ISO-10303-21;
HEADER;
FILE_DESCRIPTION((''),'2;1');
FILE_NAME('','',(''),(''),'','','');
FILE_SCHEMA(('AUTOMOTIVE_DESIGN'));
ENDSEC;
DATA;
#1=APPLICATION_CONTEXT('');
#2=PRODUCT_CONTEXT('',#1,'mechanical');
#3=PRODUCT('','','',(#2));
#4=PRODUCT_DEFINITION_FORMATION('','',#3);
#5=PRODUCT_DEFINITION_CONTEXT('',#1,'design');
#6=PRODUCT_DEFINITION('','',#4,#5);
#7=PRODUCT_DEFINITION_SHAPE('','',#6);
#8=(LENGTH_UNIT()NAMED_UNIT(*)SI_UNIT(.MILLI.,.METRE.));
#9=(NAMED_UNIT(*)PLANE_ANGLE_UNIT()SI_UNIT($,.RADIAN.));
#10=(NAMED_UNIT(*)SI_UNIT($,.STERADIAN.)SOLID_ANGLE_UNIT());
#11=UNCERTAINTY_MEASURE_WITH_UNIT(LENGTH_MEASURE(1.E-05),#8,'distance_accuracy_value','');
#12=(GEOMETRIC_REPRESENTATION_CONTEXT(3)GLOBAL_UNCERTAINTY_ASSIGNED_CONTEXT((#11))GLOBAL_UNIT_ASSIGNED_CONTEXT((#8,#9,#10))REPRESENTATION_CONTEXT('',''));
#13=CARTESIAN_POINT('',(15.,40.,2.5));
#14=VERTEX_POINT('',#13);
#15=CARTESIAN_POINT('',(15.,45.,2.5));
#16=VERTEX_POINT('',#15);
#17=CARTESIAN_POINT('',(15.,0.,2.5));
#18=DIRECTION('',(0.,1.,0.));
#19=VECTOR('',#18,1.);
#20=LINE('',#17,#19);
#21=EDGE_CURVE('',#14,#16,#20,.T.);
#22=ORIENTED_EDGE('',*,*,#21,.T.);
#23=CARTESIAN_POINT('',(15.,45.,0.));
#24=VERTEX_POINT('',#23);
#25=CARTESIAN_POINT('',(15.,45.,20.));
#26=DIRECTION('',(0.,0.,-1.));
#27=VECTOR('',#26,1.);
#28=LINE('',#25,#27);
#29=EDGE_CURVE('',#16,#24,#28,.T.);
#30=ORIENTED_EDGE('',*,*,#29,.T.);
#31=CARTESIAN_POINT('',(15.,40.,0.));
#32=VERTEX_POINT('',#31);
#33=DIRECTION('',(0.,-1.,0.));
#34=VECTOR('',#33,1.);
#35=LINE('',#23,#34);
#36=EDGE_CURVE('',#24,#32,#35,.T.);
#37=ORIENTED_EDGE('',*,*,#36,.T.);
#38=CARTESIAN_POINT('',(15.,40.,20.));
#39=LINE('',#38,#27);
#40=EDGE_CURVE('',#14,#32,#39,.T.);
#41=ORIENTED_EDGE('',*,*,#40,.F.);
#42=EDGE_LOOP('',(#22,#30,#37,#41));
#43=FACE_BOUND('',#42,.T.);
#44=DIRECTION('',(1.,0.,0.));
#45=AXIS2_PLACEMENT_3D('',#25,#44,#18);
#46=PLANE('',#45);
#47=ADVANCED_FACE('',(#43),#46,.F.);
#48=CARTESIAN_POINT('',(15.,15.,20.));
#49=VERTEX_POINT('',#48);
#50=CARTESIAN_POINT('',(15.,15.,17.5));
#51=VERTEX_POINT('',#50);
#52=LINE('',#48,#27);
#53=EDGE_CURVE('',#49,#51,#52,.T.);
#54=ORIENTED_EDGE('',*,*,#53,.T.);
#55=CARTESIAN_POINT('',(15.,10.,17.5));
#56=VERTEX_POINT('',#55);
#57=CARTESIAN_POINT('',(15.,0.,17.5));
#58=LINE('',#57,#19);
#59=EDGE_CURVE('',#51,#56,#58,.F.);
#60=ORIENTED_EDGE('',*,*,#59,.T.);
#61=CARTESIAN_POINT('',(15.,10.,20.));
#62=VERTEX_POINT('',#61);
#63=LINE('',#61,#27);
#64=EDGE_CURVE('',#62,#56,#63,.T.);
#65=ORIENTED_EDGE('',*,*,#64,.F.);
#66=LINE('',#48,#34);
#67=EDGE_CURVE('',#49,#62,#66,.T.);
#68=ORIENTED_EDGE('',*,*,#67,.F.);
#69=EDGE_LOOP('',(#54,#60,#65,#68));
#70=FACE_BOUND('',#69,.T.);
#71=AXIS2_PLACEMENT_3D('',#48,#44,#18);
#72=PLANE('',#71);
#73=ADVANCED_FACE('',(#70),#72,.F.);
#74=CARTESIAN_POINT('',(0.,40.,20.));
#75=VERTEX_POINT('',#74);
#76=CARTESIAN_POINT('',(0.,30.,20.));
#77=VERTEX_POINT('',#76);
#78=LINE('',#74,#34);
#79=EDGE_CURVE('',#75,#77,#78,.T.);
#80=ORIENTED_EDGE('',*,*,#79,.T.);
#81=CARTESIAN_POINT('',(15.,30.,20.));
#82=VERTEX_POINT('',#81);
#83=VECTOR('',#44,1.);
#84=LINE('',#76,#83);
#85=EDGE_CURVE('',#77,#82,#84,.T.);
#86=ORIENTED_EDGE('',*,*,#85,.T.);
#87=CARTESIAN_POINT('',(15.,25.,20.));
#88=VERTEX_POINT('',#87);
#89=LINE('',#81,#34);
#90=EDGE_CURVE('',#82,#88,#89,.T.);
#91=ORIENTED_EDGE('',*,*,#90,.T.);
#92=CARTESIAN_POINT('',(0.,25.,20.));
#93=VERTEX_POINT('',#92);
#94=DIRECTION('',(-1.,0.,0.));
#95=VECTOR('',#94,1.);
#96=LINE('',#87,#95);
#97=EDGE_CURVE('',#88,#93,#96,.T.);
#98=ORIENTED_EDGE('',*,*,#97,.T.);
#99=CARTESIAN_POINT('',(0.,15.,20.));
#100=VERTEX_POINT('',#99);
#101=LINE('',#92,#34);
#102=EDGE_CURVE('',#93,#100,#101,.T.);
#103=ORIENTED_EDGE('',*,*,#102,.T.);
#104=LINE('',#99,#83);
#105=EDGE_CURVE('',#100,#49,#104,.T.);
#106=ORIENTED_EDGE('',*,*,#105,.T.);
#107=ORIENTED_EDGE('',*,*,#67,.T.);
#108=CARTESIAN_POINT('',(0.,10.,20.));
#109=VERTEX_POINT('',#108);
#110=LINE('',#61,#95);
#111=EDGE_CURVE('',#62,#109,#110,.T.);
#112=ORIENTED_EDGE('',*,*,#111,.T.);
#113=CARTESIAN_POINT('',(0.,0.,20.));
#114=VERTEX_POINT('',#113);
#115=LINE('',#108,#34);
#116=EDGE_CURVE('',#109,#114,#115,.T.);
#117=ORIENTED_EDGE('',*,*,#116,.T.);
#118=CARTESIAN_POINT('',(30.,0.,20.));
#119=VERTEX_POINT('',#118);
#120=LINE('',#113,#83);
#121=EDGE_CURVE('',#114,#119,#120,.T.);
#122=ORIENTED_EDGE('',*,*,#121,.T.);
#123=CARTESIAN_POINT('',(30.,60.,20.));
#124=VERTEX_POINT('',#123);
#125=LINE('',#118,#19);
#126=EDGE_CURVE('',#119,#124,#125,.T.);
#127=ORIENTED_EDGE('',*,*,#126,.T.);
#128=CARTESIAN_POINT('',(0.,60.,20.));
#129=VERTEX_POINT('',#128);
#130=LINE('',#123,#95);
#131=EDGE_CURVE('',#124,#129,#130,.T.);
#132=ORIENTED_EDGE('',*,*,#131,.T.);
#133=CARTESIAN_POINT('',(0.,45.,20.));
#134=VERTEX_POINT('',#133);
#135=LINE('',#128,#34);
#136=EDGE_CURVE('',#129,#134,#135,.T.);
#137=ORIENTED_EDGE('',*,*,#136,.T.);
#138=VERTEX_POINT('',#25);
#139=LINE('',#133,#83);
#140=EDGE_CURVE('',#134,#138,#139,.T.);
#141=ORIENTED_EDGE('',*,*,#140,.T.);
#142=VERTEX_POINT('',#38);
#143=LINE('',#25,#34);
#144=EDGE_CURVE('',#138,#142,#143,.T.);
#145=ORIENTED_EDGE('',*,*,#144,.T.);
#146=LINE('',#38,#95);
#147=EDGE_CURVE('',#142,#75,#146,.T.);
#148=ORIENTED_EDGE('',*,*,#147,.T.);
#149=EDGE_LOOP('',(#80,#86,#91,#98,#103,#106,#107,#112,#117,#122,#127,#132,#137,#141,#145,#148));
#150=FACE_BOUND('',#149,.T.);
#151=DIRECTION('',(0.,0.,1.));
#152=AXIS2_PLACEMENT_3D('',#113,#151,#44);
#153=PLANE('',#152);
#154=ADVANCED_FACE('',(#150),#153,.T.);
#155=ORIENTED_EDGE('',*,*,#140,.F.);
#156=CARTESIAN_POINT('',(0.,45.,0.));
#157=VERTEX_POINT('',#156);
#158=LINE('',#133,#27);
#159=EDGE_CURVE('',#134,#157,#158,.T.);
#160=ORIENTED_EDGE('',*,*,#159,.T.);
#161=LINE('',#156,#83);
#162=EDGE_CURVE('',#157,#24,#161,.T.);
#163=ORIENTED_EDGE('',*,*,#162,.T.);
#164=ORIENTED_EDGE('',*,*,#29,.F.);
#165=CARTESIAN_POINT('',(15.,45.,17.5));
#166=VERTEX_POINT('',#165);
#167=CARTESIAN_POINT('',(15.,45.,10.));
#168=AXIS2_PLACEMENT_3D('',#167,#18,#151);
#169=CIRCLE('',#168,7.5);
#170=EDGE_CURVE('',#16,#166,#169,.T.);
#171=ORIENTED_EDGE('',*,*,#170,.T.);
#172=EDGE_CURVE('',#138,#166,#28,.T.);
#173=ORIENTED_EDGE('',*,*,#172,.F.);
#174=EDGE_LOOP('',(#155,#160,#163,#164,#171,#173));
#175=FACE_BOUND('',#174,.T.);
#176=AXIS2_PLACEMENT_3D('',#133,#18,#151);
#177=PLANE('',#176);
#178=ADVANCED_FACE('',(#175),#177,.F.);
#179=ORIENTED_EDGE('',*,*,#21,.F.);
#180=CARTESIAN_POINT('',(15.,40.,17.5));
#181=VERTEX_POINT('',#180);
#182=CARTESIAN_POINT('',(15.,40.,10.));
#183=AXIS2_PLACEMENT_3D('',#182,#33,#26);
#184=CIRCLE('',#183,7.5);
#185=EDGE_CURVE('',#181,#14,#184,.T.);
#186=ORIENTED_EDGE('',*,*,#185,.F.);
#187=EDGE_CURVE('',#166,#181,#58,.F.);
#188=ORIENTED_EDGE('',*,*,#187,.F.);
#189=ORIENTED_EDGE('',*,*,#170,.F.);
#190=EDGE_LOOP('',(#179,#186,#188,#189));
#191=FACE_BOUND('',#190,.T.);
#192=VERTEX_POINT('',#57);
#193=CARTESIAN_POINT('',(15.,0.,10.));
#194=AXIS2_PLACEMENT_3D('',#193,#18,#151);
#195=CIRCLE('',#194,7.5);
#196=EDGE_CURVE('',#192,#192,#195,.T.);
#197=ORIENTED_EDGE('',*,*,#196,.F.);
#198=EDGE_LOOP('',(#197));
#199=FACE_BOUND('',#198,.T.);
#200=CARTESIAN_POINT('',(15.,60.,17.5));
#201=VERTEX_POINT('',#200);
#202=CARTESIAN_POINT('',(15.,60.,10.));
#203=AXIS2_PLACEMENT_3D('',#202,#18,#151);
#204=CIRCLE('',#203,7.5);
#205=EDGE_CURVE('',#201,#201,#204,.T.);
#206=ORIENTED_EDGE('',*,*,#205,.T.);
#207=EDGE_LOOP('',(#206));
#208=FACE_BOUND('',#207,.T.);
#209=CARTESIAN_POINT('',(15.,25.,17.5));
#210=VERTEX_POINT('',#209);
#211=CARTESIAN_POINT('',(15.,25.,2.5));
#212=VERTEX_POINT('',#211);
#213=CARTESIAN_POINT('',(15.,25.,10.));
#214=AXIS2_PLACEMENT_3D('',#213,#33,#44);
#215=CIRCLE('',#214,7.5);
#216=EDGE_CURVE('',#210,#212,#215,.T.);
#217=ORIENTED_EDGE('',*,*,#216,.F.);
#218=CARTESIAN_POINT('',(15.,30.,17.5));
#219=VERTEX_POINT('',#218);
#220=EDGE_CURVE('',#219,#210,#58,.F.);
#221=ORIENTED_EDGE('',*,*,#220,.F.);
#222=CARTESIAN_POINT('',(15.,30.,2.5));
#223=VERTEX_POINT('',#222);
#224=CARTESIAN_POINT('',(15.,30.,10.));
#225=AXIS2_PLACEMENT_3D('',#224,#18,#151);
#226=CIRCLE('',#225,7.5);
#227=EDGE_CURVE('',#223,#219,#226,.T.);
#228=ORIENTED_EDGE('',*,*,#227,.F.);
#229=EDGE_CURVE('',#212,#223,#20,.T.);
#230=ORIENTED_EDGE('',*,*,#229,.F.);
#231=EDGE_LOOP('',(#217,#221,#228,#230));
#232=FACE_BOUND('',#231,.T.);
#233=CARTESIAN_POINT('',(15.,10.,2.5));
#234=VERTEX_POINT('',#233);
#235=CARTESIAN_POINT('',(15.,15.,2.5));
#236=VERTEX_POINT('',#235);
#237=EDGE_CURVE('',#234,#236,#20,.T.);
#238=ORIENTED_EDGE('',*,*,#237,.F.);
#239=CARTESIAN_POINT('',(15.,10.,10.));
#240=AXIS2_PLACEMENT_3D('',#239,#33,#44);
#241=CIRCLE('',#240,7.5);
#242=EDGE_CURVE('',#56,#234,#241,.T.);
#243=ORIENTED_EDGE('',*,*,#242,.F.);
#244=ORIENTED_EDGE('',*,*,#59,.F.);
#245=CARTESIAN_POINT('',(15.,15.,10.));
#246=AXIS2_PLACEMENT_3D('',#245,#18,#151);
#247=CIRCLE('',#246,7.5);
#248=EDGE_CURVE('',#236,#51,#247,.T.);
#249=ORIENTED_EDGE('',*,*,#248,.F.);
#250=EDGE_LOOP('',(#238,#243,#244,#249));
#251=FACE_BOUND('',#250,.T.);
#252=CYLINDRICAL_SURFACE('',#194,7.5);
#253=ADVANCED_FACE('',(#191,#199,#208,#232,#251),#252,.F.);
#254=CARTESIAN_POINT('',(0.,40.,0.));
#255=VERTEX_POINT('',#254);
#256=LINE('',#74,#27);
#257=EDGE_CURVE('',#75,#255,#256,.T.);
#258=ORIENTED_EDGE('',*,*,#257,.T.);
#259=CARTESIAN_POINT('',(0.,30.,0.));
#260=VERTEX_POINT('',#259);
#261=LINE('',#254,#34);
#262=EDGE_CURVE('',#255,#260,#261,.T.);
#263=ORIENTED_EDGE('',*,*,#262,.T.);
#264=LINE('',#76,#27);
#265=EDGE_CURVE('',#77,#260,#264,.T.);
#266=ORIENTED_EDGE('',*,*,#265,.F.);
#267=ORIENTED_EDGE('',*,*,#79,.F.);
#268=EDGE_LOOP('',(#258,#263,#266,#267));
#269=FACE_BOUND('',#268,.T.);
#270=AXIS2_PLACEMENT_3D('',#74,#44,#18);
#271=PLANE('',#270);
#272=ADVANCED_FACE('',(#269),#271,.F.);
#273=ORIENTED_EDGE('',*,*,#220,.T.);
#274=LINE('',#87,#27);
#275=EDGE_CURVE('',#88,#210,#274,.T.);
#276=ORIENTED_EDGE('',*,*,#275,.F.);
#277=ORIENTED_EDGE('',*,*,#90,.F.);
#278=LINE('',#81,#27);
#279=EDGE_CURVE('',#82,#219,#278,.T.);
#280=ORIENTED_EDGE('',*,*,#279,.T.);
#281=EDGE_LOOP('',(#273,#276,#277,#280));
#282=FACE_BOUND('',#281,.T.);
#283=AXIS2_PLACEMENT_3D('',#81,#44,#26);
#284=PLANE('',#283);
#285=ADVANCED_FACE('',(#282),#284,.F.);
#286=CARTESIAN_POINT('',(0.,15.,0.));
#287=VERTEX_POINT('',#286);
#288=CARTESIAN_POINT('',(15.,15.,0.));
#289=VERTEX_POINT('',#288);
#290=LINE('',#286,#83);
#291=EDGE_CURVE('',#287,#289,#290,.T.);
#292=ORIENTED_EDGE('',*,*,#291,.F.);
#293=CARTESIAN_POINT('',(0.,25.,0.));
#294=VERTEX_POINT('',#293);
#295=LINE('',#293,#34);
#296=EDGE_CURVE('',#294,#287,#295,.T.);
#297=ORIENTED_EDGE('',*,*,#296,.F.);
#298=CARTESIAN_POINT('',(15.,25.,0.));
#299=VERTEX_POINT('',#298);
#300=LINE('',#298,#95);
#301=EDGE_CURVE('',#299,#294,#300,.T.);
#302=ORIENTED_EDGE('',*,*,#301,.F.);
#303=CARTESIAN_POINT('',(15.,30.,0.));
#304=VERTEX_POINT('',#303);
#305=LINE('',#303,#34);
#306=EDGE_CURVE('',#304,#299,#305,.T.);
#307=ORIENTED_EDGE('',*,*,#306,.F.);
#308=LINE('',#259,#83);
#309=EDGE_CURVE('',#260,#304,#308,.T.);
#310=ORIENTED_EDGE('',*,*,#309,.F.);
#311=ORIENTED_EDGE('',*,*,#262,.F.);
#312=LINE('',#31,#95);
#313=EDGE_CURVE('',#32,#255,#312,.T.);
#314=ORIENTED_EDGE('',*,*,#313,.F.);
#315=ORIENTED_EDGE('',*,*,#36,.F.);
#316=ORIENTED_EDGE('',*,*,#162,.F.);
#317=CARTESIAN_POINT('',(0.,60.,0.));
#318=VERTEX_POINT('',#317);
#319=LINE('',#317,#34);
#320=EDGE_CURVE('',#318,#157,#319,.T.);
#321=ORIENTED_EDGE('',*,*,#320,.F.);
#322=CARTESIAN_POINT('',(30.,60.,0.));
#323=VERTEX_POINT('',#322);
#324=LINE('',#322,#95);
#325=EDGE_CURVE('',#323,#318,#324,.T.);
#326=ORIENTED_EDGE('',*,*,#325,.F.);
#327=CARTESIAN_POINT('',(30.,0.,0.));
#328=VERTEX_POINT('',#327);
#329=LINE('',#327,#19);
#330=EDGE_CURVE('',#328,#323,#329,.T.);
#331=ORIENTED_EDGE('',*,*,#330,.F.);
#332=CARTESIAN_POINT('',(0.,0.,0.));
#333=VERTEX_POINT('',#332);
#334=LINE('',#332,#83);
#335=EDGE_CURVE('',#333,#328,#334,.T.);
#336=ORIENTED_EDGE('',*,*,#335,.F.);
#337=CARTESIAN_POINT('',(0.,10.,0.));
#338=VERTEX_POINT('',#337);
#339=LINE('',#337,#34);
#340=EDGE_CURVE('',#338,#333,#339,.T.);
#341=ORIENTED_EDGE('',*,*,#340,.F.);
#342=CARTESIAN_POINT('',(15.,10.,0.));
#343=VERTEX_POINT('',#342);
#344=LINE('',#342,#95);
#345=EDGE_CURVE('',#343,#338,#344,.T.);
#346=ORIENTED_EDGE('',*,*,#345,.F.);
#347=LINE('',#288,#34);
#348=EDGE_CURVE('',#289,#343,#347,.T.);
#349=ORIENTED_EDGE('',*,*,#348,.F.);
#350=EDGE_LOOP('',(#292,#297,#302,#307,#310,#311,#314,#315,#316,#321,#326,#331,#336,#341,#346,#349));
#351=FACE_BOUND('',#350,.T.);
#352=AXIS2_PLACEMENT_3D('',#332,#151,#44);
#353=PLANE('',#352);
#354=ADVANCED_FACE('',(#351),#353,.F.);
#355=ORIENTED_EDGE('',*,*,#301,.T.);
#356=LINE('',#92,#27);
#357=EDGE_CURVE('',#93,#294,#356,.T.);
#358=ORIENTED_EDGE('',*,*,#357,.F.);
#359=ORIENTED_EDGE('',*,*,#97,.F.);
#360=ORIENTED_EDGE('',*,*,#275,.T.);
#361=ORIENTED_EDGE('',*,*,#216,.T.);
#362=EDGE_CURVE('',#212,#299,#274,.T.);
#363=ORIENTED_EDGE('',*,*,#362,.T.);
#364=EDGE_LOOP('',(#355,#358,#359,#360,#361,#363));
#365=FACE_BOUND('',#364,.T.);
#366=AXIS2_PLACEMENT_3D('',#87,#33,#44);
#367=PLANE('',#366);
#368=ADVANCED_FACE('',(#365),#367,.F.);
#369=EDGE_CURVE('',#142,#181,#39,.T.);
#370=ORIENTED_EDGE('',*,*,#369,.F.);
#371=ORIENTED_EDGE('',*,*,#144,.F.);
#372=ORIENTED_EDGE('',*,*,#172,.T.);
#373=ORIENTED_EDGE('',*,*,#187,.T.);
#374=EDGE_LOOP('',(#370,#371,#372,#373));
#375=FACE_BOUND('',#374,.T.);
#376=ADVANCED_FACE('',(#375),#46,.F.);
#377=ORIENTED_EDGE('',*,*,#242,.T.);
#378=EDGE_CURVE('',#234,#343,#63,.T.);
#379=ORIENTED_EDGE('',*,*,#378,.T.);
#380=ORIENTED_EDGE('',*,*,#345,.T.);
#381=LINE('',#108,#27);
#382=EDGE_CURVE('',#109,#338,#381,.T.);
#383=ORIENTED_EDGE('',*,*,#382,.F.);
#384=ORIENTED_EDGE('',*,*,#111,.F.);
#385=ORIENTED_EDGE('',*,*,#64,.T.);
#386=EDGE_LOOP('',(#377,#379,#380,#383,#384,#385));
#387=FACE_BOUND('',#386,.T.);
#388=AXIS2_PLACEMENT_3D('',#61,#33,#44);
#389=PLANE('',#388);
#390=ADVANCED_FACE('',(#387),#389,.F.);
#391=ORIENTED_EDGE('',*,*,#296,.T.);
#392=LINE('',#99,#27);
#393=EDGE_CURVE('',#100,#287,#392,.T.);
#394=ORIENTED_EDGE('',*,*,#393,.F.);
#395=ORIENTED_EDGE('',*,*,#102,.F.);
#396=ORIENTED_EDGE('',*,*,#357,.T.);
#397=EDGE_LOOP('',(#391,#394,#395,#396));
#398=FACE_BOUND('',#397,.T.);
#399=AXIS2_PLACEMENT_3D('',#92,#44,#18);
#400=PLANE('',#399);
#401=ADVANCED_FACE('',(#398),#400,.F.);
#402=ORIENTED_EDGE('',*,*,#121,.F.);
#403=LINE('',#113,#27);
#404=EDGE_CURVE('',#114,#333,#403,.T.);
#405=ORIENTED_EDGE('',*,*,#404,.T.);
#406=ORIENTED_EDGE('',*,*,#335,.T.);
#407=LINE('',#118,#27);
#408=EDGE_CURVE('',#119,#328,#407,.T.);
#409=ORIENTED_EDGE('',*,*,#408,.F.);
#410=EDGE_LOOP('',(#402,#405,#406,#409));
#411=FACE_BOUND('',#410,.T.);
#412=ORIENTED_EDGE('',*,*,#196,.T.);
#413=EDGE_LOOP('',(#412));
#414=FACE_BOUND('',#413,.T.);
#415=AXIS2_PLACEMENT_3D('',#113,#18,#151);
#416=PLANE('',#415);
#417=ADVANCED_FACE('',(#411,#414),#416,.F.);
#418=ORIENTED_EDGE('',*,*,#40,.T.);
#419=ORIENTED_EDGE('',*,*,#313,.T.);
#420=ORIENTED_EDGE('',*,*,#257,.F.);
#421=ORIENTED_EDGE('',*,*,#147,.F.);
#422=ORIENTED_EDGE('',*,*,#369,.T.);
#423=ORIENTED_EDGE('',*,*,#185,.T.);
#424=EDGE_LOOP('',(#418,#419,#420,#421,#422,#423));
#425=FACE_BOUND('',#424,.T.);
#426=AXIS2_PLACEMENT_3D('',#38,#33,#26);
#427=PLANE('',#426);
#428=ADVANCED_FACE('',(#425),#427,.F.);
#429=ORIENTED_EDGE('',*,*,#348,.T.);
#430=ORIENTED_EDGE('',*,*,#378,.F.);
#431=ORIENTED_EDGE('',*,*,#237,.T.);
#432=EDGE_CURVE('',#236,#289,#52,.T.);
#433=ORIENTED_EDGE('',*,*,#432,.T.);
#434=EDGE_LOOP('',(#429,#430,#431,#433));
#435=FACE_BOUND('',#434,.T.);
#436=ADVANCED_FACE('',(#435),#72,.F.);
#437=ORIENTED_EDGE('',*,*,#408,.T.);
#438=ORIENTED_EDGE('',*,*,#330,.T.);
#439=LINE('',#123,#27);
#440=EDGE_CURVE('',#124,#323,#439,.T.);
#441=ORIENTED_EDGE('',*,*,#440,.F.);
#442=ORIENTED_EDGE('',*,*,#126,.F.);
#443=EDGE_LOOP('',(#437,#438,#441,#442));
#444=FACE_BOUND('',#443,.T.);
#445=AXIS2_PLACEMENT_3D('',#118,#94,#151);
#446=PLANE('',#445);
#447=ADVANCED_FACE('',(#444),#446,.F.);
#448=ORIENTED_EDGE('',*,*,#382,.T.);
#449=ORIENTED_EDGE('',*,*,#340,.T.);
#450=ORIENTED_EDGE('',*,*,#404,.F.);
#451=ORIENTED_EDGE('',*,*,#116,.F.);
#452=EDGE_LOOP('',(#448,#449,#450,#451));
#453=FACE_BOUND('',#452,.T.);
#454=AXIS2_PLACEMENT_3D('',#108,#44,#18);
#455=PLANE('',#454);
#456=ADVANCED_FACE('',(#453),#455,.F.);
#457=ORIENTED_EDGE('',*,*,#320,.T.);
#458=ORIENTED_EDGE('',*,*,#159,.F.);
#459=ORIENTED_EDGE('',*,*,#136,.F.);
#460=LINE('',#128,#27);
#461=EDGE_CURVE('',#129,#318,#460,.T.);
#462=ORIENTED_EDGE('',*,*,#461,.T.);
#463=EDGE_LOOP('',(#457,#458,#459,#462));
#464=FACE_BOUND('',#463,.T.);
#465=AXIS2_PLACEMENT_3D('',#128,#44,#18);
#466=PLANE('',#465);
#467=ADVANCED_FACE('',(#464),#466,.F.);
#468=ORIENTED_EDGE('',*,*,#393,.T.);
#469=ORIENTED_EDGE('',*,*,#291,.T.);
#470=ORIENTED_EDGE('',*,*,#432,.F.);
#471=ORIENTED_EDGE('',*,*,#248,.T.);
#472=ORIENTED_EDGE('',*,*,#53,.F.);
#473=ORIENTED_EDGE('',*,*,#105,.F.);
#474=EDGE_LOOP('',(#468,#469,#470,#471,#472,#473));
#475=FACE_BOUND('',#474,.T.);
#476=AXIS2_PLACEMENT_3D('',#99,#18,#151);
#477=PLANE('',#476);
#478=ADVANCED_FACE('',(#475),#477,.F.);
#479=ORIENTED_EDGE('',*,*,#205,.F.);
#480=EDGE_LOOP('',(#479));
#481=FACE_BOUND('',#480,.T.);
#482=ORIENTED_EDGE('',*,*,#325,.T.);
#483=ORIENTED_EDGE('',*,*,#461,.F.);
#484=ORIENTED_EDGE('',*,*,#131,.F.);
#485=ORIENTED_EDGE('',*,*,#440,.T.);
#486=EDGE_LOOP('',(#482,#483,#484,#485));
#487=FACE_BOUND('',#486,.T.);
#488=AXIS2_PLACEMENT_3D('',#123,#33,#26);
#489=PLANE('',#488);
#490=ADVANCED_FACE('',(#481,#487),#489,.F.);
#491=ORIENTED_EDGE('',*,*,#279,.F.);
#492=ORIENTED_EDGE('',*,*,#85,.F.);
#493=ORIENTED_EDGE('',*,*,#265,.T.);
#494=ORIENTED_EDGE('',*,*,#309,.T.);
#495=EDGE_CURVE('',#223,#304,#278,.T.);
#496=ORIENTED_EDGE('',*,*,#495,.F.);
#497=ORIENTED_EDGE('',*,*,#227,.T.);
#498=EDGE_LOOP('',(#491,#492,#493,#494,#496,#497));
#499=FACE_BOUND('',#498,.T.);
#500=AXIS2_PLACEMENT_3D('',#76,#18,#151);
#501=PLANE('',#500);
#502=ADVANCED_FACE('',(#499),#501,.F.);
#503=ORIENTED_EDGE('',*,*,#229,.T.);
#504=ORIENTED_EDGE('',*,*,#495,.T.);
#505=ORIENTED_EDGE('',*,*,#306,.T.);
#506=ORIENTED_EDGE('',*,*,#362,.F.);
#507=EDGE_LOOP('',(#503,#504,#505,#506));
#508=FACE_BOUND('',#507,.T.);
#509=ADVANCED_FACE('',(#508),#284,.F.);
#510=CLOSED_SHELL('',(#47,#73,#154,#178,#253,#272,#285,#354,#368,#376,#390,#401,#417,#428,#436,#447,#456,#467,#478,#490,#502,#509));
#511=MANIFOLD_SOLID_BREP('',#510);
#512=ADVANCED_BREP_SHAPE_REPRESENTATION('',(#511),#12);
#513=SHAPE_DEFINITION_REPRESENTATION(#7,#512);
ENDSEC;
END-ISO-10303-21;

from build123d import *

# Parameters (mm, degrees)
BOSS_EXTRUDE1_DEPTH = 20
SKETCH4_R           = 7.5
CUT_EXTRUDE1_DEPTH  = 71


with BuildPart() as part:
    # Sketch1 → Boss-Extrude1 (new body)
    with BuildSketch(Plane.XY):
        Polygon((0, 0), (30, 0), (30, 60), (0, 60), (0, 45), (15, 45), (15, 40), (0, 40), (0, 30), (15, 30), (15, 25), (0, 25), (0, 15), (15, 15), (15, 10), (0, 10), align=None)
    extrude(amount=BOSS_EXTRUDE1_DEPTH)

    # Sketch4 → Cut-Extrude1 (cut, through all)
    with BuildSketch(Plane(origin=(0, 60, 0), x_dir=(1, 0, 0), z_dir=(0, 1, 0))):
        with Locations(Location((15, -10, 0), (0, 0, 270))):
            Circle(SKETCH4_R)
    extrude(amount=-CUT_EXTRUDE1_DEPTH, mode=Mode.SUBTRACT)


solid = part.part
